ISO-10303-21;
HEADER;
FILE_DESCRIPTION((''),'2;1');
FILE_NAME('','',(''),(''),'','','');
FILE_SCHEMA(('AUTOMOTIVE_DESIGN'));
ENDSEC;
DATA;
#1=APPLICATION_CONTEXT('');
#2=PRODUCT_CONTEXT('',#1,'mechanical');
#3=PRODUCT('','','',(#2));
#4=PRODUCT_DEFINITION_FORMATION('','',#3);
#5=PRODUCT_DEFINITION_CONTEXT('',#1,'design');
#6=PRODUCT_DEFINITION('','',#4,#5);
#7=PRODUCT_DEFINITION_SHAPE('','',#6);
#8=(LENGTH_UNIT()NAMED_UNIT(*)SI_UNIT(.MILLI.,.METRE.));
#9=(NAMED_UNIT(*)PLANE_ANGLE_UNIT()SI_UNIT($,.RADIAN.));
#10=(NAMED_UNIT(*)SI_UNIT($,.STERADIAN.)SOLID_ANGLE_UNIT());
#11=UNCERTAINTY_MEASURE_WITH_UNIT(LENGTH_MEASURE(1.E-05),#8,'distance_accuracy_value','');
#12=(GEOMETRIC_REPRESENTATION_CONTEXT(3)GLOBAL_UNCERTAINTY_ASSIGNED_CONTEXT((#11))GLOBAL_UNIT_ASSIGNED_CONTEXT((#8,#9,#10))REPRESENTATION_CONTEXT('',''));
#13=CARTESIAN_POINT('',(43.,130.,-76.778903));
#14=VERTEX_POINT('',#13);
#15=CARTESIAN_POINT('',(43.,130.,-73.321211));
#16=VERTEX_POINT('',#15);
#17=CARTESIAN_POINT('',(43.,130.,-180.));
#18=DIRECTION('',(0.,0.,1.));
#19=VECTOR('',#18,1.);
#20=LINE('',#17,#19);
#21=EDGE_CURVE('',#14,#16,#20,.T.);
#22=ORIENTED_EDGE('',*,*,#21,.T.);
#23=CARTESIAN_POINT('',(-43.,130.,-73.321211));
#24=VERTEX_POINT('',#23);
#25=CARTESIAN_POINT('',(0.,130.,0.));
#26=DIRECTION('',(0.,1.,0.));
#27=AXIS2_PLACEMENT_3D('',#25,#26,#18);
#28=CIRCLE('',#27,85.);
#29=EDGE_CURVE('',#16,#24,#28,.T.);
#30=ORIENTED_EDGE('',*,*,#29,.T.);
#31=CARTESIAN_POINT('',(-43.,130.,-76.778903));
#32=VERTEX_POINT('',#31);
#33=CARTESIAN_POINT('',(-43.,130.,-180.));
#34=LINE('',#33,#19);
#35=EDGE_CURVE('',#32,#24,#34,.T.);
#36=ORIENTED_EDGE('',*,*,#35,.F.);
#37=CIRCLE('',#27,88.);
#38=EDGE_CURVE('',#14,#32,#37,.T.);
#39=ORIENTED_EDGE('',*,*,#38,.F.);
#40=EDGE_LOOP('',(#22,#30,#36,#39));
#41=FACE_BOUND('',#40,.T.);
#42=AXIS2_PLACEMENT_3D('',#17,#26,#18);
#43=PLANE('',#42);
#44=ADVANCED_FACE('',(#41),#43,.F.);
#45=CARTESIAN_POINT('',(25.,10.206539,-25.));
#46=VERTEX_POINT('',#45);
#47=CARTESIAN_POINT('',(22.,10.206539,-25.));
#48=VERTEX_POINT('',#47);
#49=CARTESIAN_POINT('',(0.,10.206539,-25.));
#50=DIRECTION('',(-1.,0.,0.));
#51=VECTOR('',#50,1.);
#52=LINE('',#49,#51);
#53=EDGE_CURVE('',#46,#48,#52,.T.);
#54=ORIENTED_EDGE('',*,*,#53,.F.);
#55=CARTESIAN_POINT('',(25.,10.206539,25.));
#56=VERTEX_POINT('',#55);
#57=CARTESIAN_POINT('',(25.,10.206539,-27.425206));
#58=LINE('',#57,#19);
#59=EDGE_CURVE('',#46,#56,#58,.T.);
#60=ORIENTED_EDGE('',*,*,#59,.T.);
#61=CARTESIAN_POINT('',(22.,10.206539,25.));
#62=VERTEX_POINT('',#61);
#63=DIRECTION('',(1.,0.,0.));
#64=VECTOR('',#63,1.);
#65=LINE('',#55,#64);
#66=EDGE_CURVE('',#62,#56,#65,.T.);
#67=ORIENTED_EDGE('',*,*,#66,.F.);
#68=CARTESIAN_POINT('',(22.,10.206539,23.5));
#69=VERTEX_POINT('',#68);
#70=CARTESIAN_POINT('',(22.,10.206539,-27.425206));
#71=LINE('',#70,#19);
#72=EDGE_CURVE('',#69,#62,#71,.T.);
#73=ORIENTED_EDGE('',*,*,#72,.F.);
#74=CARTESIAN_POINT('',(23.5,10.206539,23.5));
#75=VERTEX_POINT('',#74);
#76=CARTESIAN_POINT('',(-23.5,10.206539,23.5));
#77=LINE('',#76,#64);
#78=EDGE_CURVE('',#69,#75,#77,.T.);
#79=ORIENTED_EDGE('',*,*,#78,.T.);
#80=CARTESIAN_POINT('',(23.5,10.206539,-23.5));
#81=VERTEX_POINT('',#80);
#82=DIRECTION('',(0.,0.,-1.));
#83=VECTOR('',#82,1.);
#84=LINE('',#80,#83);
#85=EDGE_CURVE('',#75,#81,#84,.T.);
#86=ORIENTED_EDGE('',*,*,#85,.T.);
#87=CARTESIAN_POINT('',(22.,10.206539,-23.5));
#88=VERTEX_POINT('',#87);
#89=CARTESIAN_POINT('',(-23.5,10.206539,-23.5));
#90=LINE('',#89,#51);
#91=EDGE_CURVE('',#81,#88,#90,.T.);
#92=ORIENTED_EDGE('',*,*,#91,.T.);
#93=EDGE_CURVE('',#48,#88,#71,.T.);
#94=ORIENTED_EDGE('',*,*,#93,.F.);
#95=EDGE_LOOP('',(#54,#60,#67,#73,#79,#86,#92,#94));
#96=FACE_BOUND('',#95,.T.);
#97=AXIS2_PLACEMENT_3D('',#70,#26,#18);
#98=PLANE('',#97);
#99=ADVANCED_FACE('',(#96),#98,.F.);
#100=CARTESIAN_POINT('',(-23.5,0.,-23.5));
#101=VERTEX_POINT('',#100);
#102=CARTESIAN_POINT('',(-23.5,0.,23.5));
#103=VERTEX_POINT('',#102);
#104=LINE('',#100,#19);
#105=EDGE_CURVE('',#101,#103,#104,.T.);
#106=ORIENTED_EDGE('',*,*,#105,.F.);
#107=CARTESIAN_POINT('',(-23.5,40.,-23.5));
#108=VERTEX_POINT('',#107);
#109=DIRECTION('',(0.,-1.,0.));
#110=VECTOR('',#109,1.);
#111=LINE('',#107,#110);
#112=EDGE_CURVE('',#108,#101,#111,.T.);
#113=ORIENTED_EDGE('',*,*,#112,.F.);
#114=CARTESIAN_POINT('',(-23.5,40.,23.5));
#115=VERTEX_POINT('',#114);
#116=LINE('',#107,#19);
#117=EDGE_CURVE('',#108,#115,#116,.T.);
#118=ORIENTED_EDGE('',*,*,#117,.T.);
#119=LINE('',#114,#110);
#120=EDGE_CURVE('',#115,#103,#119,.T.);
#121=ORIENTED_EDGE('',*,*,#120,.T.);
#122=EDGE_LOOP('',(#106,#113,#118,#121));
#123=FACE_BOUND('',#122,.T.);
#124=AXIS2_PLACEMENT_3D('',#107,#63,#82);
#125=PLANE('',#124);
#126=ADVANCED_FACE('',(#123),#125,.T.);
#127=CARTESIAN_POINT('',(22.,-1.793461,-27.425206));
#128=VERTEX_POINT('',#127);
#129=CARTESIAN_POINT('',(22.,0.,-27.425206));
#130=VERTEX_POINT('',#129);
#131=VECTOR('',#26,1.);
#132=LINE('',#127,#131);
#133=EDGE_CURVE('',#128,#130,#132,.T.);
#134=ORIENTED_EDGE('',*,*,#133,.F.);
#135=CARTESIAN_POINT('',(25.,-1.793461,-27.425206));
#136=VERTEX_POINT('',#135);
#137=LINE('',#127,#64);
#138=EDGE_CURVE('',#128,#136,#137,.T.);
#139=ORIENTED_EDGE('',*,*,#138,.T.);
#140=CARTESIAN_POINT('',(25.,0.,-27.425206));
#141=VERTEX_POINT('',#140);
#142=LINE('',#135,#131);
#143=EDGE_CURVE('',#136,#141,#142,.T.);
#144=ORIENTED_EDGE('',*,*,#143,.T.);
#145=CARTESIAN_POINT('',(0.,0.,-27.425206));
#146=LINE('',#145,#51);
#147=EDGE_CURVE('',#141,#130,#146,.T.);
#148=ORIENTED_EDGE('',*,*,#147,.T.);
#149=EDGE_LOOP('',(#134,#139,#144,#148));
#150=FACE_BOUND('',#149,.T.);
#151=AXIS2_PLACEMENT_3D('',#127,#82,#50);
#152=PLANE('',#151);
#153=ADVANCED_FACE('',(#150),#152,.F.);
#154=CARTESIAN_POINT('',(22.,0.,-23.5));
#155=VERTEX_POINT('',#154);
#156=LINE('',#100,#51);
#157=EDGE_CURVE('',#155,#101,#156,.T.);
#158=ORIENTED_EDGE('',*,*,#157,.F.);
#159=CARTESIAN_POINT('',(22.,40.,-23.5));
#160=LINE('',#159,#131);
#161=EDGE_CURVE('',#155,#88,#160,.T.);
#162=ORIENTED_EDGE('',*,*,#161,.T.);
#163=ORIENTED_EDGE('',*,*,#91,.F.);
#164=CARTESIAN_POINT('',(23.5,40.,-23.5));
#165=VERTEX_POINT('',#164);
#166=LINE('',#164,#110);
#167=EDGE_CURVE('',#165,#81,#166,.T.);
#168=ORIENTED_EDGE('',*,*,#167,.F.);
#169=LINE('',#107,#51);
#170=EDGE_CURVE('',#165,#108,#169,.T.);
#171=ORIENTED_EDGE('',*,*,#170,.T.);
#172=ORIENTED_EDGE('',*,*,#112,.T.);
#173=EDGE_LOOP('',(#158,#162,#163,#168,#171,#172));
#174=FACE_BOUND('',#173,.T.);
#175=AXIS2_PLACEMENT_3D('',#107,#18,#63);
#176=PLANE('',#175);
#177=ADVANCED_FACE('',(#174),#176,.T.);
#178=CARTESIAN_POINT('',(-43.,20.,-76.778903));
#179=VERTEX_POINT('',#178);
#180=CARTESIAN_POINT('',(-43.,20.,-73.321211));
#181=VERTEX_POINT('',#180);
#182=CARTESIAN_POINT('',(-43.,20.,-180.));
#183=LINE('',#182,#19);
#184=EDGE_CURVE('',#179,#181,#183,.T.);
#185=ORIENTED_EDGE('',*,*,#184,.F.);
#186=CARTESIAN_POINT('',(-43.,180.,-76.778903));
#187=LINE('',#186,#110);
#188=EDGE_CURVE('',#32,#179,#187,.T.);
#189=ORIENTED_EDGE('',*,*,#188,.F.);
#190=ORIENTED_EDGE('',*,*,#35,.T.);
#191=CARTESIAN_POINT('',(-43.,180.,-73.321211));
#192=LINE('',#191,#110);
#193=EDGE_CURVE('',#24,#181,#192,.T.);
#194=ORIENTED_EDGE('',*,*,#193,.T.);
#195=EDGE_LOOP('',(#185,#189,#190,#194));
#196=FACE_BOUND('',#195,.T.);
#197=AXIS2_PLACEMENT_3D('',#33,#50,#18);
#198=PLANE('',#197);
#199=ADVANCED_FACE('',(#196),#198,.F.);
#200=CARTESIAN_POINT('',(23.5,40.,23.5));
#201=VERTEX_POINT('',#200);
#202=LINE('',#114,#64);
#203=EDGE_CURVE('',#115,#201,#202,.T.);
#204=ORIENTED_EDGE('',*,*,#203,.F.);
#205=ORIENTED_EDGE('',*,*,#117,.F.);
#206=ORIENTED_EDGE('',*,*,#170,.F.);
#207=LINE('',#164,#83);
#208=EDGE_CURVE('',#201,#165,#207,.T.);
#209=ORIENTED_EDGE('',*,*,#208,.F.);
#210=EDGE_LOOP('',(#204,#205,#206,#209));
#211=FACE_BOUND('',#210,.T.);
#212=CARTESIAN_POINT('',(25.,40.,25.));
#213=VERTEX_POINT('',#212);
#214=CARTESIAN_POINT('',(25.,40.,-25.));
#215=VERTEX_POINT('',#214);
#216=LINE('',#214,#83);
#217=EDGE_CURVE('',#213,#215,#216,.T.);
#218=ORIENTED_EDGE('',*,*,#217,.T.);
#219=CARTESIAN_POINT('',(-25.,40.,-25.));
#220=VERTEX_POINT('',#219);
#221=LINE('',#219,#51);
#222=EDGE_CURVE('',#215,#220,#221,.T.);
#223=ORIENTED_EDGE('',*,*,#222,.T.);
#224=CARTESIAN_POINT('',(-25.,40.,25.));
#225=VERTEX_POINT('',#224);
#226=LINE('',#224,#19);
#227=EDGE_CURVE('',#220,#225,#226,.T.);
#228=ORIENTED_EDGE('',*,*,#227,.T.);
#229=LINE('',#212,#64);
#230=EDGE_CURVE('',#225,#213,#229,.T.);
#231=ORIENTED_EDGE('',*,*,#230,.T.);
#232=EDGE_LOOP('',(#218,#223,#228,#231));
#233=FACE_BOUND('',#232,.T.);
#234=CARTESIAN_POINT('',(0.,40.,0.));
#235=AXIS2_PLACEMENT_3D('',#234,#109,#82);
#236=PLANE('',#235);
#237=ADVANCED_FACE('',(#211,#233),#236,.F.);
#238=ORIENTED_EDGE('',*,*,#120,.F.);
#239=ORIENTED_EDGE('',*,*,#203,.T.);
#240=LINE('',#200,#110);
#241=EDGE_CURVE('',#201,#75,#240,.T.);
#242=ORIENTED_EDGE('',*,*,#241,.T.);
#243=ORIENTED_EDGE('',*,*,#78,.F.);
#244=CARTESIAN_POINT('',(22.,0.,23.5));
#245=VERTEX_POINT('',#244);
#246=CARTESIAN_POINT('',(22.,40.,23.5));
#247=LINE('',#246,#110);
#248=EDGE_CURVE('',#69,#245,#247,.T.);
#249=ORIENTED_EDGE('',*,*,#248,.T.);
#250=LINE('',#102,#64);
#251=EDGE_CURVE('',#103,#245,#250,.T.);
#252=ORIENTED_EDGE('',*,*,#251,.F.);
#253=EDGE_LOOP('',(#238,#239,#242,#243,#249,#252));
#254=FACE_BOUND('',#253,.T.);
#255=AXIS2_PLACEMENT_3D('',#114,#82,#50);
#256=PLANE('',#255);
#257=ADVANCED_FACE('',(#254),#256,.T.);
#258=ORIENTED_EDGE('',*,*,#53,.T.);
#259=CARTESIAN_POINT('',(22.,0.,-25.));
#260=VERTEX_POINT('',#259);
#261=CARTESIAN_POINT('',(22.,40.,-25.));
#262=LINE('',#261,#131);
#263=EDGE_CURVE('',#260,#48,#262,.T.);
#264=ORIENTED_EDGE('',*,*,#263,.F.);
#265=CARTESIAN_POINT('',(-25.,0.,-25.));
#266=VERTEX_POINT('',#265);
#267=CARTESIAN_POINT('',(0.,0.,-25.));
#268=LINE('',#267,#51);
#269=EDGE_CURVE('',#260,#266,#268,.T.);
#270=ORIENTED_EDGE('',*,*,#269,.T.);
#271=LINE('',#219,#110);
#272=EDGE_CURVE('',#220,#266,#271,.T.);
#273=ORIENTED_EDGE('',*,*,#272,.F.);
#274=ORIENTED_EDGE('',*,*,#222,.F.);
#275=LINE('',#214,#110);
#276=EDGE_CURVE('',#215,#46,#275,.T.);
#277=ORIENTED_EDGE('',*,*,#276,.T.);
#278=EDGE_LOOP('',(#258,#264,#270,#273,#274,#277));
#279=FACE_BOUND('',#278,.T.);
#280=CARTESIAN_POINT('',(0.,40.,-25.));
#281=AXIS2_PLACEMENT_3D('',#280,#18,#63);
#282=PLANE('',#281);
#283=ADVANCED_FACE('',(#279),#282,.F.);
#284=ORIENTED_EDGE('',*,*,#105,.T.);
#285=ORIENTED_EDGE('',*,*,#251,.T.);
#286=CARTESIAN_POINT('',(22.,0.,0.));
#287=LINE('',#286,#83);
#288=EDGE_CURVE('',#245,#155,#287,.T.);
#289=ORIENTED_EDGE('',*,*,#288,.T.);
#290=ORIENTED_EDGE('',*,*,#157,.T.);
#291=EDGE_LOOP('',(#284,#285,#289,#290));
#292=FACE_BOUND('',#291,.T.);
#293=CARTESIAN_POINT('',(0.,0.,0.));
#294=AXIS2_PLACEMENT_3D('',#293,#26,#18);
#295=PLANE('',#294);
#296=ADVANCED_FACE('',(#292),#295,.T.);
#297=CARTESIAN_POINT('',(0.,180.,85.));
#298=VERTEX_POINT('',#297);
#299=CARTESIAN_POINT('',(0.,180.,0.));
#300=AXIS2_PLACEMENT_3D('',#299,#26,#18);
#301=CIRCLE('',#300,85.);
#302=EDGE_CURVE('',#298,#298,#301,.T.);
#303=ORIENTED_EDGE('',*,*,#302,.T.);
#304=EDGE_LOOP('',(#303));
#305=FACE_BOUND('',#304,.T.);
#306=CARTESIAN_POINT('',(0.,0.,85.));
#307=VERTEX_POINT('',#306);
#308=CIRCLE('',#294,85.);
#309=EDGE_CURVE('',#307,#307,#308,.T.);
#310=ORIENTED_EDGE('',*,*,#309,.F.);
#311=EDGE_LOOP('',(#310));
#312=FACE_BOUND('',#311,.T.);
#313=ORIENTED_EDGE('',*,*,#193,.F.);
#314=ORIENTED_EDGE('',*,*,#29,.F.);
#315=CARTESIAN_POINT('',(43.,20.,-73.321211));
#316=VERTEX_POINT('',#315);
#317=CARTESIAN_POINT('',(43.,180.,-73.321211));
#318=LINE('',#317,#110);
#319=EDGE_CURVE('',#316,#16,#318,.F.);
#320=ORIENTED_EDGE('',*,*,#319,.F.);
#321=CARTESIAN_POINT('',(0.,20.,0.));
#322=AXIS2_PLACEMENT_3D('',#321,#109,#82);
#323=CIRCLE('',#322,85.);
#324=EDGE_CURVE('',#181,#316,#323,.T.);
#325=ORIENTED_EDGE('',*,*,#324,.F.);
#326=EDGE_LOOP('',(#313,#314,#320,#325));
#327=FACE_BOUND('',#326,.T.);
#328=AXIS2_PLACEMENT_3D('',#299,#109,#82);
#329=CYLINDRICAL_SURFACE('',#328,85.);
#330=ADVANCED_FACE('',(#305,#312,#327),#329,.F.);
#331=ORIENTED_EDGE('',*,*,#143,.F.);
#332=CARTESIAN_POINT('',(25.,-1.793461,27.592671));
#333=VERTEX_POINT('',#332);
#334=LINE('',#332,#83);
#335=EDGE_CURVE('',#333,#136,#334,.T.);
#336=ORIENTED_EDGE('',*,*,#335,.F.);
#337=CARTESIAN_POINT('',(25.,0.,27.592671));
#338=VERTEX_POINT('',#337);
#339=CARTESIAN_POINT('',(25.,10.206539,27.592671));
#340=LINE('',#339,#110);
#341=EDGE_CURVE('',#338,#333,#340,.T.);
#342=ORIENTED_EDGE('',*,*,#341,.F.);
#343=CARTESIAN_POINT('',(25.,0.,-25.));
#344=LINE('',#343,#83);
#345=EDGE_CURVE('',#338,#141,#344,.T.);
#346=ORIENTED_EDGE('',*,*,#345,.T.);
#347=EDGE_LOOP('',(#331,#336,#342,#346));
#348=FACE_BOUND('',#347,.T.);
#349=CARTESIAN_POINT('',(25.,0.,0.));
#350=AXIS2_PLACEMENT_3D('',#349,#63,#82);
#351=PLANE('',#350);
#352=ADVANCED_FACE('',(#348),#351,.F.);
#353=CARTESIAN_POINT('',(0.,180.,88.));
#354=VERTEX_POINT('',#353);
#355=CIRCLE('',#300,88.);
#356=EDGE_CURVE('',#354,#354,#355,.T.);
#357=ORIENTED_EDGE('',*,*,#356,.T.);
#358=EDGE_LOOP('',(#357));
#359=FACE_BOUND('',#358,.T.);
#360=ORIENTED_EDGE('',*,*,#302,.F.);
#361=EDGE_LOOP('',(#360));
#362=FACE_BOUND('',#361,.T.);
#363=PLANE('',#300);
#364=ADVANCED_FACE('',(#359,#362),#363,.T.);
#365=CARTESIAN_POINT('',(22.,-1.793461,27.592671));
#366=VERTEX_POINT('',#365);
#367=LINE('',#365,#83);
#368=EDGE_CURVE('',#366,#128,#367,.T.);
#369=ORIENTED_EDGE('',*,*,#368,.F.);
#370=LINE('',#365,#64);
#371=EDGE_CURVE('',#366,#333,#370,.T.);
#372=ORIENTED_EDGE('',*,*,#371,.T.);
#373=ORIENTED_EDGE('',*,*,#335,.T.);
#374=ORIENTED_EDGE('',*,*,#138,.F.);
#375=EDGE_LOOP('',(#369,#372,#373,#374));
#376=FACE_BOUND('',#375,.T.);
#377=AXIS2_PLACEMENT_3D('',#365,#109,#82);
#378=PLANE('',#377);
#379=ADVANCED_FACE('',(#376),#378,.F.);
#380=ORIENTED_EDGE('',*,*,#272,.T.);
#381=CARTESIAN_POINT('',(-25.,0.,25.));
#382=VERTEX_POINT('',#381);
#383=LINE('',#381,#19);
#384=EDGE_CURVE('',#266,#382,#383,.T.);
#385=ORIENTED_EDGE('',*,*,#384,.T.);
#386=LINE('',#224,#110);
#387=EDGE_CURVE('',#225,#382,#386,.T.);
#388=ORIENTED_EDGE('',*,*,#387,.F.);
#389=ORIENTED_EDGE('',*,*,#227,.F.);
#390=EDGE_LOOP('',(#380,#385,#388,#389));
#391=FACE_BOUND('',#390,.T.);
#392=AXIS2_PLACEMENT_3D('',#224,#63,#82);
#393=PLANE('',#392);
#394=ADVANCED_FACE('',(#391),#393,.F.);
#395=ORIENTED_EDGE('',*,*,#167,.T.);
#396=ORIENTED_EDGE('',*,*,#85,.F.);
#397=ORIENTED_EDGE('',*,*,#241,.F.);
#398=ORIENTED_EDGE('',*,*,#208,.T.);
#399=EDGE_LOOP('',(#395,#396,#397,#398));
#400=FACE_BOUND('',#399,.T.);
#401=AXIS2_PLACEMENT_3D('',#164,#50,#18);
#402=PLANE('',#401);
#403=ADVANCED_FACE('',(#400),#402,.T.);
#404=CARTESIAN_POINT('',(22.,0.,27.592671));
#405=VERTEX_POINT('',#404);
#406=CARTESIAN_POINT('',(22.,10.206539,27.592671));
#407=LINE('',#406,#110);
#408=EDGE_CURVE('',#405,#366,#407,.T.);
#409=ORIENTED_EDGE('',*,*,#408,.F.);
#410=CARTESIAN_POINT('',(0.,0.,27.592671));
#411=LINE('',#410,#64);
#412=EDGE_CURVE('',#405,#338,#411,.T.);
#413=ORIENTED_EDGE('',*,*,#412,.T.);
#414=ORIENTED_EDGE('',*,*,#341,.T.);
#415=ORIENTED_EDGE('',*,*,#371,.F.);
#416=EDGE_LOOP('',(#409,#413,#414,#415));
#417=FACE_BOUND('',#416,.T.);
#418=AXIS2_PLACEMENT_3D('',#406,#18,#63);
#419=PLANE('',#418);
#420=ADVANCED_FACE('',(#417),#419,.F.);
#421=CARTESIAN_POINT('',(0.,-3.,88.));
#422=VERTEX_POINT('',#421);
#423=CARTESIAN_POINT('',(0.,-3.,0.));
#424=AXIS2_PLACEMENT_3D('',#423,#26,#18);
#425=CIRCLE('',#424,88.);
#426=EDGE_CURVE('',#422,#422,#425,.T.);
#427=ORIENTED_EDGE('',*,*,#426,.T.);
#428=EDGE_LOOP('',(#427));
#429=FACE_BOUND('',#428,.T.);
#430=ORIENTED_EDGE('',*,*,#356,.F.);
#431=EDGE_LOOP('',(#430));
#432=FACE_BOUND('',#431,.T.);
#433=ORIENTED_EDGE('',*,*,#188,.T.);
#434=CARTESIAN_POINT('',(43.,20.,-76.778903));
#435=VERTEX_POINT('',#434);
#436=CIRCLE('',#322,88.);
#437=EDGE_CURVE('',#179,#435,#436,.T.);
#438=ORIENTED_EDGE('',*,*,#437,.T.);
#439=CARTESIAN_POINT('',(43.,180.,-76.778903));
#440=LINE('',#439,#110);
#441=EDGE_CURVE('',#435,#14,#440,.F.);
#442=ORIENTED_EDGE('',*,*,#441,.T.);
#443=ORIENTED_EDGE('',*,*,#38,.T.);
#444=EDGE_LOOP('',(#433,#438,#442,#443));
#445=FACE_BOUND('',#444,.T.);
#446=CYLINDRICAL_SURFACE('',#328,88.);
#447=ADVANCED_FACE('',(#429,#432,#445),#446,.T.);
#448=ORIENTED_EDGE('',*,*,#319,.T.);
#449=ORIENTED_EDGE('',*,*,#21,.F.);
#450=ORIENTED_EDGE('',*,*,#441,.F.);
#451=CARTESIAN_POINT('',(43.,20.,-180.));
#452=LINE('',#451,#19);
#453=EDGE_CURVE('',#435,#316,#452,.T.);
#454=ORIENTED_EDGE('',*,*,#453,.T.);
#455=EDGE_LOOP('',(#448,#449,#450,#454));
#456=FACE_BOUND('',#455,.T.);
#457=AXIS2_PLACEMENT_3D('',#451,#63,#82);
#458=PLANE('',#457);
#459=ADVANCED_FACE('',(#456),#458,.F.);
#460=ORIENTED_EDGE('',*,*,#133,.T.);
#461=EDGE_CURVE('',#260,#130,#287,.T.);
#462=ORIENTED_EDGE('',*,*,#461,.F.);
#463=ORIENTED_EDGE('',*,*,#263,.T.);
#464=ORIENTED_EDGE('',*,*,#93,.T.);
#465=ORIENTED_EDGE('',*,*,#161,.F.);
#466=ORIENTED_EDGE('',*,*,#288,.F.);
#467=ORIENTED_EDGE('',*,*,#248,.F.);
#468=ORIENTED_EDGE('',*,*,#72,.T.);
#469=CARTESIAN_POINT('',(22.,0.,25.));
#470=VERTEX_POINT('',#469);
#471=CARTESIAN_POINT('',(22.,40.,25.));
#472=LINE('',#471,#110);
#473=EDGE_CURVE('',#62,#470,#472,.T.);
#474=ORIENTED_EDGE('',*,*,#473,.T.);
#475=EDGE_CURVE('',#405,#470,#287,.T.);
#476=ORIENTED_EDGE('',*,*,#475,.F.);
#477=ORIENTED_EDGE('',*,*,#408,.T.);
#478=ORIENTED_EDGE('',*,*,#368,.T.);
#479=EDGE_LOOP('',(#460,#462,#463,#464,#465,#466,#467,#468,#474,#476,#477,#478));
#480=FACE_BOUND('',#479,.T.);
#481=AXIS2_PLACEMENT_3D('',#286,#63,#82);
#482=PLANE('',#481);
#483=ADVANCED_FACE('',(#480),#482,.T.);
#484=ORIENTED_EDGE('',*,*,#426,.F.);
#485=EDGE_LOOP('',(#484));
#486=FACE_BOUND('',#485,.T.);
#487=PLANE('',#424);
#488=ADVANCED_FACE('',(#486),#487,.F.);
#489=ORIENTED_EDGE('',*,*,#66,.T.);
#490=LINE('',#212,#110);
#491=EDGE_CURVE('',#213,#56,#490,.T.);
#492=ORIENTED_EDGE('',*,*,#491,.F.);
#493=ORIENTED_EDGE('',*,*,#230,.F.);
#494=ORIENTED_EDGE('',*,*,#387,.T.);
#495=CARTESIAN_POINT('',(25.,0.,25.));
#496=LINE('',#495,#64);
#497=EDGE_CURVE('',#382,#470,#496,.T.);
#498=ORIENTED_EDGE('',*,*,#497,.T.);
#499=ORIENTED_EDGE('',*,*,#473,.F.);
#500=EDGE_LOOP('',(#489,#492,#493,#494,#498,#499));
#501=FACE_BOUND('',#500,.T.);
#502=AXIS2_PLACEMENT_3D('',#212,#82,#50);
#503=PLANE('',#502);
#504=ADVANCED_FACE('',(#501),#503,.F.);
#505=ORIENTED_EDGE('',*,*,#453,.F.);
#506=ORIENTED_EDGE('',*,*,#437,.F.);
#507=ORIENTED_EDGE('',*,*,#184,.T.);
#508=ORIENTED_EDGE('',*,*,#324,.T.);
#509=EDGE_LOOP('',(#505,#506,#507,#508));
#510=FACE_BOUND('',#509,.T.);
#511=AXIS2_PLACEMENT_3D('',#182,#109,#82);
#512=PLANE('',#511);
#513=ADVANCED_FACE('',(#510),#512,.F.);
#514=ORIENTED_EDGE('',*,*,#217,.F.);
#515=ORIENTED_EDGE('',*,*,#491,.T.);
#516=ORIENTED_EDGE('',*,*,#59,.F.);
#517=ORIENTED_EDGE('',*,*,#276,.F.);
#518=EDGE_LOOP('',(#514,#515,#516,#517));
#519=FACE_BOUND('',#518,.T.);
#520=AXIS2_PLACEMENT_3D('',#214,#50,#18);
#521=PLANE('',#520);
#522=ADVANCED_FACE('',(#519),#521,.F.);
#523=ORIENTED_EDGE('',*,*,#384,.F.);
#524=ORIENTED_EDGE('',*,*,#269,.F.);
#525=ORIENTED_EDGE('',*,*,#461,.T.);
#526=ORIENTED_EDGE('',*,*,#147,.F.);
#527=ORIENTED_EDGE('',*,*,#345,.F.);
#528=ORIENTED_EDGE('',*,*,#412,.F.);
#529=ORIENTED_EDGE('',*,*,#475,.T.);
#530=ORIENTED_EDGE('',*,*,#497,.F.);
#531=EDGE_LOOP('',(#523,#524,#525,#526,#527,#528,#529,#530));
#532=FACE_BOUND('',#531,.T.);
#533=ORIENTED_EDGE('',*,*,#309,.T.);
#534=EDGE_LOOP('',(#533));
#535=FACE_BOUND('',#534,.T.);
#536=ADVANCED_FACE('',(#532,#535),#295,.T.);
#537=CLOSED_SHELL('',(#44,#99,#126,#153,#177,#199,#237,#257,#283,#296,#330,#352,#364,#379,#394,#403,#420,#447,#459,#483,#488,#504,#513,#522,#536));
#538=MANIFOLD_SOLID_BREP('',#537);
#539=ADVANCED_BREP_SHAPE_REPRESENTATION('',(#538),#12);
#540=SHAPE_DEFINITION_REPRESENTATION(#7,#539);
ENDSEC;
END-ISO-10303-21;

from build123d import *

# Parameters (mm, degrees)
SKETCH_1_R          = 85
EXTRUDE_1_DEPTH     = 180
SHELL_1_T           = 3
SKETCH_2_W          = 86
SKETCH_2_H          = 110
CUT_EXTRUDE_1_DEPTH = 180
SKETCH_3_W          = 47
SKETCH_3_H          = 47
EXTRUDE_2_DEPTH     = 40
SKETCH_4_W          = 55.017876713
SKETCH_4_H          = 12
CUT_EXTRUDE_3_DEPTH = 3


with BuildPart() as part:
    # 草图1 → 凸台-拉伸1 (new body)
    with BuildSketch(Plane(origin=(0, 0, 0), x_dir=(1, 0, 0), z_dir=(0, 1, 0))):
        with Locations(Location((0, 0, 0), (0, 0, 90))):
            Circle(SKETCH_1_R)
    extrude(amount=EXTRUDE_1_DEPTH)

    # 抽壳1
    shell_1_openings = [part.faces().sort_by_distance(p)[0] for p in [
        (0, 180, 0),
    ]]
    offset(amount=SHELL_1_T, openings=shell_1_openings, kind=Kind.INTERSECTION)

    # 草图2 → 切除-拉伸1 (cut)
    with BuildSketch(Plane.XY):
        with Locations((0, 75)):
            Rectangle(SKETCH_2_W, SKETCH_2_H)
    extrude(amount=-CUT_EXTRUDE_1_DEPTH, mode=Mode.SUBTRACT)

    # 草图3 → 凸台-拉伸2 (add)
    with BuildSketch(Plane(origin=(0, 0, 0), x_dir=(1, 0, 0), z_dir=(0, 1, 0))):
        Polygon((0, 25), (25, 25), (25, -25), (-25, -25), (-25, 25), align=None)
        Rectangle(SKETCH_3_W, SKETCH_3_H, mode=Mode.SUBTRACT)
    extrude(amount=EXTRUDE_2_DEPTH)

    # 草图4 → 切除-拉伸3 (cut)
    with BuildSketch(Plane(origin=(25, 0, 0), x_dir=(0, 0, -1), z_dir=(1, 0, 0))):
        with Locations((-0.083732348, 4.206538913)):
            Rectangle(SKETCH_4_W, SKETCH_4_H)
    extrude(amount=-CUT_EXTRUDE_3_DEPTH, mode=Mode.SUBTRACT)


solid = part.part
